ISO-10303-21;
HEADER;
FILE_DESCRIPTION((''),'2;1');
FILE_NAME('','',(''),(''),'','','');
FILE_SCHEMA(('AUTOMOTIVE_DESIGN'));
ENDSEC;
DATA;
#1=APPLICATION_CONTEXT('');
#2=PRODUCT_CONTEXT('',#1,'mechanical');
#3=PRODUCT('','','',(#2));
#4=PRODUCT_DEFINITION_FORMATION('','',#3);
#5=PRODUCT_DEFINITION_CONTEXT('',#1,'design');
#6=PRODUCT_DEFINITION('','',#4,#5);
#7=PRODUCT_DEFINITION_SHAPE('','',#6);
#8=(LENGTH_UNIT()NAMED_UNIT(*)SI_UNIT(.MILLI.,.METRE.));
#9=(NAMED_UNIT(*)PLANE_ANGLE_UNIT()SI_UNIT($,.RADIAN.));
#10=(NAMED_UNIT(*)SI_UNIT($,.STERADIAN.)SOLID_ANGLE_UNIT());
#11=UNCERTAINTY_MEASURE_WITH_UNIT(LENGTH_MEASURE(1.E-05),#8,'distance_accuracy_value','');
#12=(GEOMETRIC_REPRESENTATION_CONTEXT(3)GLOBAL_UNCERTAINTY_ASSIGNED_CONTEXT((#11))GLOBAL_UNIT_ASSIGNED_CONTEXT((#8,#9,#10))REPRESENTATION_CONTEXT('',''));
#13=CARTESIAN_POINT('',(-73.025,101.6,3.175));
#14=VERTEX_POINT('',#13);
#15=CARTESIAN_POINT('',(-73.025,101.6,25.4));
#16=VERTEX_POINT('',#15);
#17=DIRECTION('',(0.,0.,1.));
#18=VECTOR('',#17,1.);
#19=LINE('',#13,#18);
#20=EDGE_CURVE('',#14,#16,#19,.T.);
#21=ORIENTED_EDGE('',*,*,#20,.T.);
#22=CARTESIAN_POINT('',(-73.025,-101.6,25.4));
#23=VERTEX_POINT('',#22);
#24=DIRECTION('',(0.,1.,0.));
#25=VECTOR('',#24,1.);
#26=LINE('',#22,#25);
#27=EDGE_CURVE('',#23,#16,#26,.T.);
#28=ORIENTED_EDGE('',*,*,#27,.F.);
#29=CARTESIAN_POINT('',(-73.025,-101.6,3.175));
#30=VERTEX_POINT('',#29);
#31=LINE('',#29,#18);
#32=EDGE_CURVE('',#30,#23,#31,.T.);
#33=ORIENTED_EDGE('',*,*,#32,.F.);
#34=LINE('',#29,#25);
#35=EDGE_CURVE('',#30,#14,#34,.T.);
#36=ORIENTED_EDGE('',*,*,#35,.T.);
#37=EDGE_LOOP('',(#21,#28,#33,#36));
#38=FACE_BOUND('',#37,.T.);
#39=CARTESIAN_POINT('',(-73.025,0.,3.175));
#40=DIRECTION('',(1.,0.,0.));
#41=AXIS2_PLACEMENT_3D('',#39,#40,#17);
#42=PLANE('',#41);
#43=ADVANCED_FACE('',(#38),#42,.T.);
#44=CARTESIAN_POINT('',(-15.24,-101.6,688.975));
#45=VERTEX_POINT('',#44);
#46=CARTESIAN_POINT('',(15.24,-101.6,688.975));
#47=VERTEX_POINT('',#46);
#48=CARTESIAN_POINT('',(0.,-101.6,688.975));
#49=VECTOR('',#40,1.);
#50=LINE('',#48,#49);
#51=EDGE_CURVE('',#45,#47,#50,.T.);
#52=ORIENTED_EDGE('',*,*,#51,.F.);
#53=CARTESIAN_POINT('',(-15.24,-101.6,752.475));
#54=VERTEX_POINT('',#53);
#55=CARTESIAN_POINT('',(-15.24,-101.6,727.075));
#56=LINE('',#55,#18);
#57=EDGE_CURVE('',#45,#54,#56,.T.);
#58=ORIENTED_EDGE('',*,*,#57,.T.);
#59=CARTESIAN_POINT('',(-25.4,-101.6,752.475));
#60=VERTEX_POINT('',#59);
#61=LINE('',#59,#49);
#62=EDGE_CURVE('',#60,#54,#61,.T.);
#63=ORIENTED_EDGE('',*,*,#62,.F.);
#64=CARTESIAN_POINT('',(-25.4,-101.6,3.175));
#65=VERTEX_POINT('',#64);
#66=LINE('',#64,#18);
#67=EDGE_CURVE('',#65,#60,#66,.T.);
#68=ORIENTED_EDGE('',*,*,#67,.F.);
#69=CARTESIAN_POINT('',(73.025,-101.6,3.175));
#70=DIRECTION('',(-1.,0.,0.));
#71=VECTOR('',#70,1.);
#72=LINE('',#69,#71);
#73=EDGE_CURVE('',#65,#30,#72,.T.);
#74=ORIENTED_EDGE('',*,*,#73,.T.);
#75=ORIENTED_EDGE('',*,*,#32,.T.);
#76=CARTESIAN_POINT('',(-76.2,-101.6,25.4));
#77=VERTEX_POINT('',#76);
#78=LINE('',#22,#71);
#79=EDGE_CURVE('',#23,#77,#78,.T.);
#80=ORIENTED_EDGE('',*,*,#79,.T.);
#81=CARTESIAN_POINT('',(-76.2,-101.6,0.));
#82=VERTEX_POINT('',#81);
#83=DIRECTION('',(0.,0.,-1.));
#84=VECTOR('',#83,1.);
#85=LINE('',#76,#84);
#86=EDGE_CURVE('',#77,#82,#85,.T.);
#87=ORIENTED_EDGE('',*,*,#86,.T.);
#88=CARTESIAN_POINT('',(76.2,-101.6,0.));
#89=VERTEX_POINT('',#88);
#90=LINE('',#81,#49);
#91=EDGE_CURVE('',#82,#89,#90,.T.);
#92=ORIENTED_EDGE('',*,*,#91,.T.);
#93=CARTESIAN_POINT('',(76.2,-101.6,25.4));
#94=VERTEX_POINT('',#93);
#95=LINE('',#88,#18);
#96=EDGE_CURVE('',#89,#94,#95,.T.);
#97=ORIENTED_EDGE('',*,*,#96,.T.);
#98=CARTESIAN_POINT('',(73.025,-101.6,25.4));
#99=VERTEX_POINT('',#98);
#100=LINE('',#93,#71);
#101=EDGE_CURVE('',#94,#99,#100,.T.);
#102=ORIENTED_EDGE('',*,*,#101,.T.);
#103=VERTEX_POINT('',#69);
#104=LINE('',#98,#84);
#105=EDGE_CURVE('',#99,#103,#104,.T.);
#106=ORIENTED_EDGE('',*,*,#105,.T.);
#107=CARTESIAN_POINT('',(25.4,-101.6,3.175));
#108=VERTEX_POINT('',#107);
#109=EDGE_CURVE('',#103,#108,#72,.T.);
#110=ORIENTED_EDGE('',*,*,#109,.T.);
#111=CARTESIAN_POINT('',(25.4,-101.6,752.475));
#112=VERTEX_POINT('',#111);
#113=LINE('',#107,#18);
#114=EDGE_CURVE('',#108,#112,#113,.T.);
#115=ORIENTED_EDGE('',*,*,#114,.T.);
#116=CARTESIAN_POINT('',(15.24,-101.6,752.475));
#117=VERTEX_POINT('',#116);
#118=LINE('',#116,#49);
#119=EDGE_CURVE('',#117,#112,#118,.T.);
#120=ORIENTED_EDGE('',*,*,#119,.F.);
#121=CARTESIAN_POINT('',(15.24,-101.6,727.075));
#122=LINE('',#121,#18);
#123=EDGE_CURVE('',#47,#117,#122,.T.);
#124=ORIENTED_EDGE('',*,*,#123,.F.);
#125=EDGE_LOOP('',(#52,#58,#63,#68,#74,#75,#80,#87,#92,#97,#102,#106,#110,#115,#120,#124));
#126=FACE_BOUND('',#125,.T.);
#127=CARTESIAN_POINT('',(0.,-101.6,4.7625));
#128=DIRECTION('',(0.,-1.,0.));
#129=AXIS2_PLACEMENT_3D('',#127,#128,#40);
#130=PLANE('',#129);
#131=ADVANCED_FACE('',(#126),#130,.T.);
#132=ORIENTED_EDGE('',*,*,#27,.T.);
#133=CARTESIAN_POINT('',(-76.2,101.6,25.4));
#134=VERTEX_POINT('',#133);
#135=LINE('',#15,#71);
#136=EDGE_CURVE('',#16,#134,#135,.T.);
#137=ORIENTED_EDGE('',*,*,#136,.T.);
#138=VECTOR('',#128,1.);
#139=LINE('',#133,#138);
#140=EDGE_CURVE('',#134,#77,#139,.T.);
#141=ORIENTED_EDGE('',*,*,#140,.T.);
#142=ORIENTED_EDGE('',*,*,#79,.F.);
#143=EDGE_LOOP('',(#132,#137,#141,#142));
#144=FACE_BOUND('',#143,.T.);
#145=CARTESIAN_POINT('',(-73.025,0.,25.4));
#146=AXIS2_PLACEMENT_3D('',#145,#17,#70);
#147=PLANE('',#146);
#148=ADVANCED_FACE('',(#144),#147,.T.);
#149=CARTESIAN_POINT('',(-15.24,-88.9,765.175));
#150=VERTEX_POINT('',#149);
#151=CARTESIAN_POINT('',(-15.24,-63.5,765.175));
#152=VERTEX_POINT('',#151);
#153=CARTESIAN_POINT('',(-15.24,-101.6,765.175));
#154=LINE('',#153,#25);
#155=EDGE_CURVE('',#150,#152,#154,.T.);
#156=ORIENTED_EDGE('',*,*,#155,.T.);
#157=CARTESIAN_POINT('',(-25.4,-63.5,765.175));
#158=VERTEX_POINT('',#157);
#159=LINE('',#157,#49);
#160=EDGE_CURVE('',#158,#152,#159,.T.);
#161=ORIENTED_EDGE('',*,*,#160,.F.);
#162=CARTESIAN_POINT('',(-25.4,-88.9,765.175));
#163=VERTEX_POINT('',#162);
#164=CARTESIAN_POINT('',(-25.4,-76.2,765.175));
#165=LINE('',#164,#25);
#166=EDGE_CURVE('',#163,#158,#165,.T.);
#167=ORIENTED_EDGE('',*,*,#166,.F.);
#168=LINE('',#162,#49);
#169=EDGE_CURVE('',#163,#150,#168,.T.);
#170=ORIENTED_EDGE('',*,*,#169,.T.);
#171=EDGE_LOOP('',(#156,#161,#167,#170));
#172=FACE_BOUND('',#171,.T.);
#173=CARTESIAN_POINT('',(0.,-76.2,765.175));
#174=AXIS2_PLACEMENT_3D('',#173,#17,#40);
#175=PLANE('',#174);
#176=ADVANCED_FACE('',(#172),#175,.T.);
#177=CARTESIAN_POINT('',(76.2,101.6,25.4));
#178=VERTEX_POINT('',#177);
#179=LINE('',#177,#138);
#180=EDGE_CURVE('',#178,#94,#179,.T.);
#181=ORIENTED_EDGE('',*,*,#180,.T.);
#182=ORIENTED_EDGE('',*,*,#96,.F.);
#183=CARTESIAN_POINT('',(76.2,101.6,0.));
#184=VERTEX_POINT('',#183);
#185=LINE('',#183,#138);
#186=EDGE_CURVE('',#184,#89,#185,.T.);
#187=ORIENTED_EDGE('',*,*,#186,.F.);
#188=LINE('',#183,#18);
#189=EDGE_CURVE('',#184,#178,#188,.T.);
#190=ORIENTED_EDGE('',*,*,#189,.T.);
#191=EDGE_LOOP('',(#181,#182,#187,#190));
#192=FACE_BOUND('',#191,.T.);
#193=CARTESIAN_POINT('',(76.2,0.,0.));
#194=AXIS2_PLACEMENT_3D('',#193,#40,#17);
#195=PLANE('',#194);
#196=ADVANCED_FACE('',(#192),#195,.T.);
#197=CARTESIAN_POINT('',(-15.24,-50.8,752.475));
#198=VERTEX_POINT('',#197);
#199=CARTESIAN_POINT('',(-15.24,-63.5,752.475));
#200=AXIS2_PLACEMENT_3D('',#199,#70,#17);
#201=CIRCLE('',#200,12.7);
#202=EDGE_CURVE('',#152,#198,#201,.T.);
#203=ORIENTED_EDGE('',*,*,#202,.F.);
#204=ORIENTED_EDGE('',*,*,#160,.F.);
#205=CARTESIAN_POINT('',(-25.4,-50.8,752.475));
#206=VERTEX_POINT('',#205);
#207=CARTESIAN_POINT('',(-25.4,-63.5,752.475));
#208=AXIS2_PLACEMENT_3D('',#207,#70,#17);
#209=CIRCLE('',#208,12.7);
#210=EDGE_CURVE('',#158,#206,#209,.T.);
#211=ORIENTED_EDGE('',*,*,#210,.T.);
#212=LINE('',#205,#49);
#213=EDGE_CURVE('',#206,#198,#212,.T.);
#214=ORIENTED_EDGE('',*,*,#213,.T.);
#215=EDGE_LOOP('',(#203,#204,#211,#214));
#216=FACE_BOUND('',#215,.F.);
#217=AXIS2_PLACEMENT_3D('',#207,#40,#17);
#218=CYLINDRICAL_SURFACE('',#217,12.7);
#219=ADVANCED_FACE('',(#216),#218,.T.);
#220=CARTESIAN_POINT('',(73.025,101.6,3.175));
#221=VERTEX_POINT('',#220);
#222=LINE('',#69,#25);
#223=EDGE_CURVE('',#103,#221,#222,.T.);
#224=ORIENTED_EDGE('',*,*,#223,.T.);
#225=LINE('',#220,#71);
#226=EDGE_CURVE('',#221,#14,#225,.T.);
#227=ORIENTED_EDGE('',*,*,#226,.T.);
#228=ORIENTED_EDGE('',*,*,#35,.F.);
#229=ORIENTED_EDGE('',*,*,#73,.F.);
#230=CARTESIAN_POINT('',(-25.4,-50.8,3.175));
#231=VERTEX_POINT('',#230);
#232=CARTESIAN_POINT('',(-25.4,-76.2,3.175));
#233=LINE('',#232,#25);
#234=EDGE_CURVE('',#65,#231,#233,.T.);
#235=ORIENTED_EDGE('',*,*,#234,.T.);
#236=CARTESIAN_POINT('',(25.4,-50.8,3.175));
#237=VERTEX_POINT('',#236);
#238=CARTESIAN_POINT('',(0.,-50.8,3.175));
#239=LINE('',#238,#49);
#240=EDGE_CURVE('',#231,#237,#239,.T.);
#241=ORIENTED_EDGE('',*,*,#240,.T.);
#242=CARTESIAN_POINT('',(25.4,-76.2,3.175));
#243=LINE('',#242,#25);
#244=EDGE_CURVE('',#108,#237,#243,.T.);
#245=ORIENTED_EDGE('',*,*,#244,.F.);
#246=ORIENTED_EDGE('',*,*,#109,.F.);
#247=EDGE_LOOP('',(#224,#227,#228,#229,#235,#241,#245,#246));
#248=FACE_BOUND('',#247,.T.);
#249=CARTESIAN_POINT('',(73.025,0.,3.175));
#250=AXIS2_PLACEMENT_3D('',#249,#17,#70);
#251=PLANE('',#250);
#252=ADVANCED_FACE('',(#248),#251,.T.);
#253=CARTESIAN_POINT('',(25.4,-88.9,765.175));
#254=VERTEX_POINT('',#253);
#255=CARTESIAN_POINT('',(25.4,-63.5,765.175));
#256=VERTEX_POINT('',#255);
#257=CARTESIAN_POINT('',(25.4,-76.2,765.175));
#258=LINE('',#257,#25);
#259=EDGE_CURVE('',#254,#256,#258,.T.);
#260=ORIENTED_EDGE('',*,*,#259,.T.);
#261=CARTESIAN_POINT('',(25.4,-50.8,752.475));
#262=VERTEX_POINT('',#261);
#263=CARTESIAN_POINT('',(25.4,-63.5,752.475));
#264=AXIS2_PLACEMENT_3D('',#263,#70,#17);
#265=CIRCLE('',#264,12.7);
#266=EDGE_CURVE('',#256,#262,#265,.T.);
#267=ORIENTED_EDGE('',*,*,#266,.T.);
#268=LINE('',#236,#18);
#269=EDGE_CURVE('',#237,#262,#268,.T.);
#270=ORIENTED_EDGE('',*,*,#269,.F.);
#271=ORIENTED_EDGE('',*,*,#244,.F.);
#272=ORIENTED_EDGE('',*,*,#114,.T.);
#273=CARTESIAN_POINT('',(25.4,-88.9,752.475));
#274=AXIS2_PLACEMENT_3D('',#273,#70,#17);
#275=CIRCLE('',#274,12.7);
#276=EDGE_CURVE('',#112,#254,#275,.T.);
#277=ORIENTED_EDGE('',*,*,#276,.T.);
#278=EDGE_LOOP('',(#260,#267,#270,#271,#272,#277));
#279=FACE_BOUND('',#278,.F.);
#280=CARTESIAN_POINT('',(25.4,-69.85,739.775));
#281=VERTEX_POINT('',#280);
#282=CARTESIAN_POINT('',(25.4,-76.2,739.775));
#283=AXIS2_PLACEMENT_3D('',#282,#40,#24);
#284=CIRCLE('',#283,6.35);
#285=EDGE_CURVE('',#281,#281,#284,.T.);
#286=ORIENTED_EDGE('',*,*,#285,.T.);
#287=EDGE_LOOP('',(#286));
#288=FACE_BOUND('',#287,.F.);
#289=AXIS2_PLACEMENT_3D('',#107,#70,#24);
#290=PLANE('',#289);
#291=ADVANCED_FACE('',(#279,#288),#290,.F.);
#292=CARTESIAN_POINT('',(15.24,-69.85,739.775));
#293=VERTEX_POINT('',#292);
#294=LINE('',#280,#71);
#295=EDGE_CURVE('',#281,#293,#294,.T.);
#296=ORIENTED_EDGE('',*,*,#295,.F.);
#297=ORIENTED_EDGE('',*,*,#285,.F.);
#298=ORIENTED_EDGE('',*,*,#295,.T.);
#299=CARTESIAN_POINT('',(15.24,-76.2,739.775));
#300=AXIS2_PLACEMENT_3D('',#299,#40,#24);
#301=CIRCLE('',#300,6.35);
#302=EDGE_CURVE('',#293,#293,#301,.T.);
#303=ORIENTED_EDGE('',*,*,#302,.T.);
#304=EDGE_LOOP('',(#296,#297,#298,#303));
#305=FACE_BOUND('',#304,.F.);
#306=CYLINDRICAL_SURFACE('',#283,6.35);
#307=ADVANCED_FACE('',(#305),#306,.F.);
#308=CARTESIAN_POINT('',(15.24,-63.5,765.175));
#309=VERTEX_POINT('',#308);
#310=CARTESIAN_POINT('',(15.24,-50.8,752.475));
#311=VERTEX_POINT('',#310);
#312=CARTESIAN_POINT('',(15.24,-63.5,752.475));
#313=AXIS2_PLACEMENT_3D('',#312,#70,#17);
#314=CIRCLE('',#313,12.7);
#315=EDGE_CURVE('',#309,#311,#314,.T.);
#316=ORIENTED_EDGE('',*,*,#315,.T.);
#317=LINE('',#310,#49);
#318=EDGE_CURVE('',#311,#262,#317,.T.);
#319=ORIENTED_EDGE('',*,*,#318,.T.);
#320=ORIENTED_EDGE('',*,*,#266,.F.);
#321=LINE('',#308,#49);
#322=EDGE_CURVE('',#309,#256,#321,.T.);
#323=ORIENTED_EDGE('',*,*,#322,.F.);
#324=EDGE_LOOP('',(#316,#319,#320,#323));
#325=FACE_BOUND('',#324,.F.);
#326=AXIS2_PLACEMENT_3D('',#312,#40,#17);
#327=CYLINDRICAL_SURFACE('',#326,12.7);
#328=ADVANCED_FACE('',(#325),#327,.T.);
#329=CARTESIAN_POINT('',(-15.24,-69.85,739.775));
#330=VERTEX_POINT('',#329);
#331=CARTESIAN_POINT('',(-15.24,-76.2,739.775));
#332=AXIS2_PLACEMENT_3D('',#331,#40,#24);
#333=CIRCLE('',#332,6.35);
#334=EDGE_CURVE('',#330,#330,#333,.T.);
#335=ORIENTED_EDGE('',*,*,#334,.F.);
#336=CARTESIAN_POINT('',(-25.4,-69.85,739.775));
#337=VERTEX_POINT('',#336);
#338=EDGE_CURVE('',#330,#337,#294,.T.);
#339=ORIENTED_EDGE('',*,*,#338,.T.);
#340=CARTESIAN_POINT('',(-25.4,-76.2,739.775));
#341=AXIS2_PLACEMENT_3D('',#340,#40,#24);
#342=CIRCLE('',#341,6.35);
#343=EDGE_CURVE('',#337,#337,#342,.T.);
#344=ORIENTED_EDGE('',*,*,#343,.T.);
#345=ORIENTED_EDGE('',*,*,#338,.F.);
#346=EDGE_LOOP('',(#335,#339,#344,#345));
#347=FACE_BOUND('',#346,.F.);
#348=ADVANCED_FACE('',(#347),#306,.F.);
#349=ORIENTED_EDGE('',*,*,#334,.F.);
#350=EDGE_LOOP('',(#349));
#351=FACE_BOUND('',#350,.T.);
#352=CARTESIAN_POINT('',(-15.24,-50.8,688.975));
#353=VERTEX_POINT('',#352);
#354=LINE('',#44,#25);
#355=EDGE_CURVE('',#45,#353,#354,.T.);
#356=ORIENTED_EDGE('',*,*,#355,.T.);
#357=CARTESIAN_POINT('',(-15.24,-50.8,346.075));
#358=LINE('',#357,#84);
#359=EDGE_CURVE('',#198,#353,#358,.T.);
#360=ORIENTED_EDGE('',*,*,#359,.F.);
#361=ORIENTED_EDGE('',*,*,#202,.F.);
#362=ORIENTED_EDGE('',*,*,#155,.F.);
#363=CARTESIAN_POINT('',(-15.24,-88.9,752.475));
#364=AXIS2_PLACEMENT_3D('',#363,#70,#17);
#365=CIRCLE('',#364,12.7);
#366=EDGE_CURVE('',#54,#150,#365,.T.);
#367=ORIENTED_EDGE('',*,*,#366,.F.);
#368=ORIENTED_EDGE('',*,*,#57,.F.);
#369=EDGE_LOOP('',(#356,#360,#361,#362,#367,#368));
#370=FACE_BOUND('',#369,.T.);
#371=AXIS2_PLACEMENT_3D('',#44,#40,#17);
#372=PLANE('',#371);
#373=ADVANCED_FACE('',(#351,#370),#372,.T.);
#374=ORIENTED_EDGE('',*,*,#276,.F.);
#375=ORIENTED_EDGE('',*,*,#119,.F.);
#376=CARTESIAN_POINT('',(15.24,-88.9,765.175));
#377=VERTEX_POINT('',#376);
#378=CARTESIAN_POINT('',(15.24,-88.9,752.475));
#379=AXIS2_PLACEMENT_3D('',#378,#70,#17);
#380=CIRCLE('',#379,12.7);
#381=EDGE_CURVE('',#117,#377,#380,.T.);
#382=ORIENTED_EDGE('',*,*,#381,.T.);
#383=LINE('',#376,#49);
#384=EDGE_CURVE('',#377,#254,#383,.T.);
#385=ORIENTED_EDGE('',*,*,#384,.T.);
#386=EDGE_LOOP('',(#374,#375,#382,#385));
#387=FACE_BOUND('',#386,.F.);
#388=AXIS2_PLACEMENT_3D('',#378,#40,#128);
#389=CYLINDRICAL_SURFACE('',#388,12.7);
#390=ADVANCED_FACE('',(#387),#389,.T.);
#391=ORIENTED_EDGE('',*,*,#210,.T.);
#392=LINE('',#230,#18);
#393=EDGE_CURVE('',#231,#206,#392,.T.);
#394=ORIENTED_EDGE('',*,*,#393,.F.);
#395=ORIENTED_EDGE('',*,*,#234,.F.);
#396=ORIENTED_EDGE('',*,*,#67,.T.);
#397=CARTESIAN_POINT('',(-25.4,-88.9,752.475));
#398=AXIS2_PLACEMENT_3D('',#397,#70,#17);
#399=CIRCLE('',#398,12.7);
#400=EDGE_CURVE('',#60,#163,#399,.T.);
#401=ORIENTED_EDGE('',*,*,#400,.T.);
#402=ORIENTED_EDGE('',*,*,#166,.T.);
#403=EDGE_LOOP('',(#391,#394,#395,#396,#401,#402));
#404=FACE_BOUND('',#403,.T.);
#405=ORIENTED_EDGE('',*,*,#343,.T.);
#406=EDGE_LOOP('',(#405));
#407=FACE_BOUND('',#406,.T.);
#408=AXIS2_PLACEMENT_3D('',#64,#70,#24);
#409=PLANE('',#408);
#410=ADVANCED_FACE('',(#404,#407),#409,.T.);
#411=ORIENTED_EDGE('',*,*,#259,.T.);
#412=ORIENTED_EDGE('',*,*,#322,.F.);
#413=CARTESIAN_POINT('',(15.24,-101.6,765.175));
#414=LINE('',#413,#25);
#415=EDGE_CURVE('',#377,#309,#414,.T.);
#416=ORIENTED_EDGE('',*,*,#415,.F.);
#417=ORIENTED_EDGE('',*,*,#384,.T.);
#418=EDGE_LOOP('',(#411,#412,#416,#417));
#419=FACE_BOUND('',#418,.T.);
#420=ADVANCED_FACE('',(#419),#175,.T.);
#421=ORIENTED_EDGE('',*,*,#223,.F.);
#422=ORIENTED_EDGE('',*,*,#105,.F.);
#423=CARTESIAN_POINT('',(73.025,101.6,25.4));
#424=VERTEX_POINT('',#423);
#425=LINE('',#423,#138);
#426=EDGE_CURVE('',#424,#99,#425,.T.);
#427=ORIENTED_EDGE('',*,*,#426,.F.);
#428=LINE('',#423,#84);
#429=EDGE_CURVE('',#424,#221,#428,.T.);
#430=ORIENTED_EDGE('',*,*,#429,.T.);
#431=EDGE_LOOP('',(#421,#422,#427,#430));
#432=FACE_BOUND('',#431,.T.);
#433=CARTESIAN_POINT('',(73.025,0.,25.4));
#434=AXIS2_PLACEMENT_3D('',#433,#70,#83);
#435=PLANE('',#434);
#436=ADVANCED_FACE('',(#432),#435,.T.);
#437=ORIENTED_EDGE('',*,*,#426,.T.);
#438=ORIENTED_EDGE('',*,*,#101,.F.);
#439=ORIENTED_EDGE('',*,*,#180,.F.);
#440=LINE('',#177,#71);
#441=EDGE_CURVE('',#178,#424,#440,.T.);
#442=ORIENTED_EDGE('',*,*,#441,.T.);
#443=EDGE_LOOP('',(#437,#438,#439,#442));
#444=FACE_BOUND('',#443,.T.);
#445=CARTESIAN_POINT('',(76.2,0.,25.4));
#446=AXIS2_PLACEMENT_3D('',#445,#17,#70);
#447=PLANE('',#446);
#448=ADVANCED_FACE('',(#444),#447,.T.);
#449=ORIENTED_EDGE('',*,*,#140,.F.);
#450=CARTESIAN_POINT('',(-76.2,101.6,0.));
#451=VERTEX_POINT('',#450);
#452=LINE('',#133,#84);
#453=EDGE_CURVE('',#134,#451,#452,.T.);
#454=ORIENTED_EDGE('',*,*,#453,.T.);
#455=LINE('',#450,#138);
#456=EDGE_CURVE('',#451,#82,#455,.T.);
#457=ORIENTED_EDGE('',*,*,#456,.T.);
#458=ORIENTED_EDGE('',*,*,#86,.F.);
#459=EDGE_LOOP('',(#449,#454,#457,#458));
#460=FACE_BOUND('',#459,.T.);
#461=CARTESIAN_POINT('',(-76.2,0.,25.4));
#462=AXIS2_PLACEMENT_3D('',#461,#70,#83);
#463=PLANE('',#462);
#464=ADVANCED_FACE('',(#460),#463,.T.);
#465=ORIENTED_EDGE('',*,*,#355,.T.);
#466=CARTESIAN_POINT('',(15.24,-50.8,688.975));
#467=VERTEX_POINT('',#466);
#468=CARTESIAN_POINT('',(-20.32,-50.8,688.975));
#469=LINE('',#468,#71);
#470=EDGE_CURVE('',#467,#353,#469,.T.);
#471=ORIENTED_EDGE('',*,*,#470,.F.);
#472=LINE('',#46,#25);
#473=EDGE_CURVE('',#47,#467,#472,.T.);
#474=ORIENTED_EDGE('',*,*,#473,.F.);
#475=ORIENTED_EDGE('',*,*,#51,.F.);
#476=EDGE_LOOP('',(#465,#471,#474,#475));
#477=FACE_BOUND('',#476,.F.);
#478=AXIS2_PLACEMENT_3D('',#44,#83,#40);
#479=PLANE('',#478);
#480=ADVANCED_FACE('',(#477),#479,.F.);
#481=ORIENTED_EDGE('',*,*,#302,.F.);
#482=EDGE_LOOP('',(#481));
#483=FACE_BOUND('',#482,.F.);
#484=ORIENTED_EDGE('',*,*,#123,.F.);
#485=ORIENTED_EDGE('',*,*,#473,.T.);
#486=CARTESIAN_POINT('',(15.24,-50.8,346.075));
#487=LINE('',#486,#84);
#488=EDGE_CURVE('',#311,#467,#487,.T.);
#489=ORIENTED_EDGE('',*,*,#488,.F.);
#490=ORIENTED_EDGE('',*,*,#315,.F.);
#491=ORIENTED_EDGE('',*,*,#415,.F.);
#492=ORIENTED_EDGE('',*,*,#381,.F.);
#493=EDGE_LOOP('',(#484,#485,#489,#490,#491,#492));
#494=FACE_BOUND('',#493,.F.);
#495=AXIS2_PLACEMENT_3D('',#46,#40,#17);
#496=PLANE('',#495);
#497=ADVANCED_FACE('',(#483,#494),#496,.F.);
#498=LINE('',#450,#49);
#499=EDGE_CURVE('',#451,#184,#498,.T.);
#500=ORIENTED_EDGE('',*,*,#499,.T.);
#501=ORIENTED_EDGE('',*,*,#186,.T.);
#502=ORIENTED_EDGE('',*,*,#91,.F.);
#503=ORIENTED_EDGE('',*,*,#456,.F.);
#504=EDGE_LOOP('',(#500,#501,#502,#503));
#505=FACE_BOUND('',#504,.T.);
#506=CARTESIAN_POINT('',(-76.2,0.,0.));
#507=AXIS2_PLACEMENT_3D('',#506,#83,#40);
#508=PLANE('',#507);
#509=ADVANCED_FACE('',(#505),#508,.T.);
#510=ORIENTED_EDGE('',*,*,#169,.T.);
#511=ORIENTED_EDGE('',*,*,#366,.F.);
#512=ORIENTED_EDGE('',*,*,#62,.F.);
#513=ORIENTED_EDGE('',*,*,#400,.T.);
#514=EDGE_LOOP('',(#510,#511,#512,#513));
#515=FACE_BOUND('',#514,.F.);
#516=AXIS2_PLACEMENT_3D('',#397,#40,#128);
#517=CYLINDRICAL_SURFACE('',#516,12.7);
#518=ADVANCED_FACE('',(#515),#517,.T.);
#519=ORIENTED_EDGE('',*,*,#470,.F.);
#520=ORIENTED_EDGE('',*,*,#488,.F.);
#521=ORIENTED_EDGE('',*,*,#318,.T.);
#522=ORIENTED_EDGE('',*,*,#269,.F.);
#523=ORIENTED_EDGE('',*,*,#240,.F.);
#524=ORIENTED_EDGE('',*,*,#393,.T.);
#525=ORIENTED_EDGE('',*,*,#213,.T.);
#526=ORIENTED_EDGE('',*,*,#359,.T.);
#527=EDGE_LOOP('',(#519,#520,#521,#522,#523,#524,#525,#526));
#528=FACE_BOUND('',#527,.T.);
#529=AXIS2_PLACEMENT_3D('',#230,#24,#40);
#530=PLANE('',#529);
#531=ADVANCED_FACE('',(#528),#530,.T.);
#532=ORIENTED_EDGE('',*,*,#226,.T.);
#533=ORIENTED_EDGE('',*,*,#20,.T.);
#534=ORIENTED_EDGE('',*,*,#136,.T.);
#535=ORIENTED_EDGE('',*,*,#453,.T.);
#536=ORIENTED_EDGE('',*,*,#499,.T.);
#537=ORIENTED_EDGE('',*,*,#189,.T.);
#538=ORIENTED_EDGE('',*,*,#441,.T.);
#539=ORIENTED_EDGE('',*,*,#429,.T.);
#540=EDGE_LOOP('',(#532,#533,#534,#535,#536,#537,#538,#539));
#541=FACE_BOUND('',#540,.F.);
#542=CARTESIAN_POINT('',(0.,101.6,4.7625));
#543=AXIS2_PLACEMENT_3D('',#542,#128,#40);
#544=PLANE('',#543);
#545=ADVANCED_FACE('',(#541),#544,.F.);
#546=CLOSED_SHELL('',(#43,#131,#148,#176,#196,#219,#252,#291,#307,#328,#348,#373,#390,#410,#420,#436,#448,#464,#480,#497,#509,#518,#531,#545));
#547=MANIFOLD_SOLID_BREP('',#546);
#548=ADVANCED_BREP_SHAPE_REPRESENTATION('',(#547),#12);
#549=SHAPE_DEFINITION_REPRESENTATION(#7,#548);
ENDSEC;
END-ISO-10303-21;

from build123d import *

# Parameters (mm, degrees)
F1_DEPTH = 101.6
F2_W     = 50.8
F2_H     = 50.8
F3_DEPTH = 762
F4_R     = 6.35
F5_DEPTH = 101.601
F6_W     = 30.48
F6_H     = 76.2
F7_DEPTH = 203.201
F8_R     = 12.7


with BuildPart() as f1:
    # F0 (on Front) → F1 (new body, symmetric)
    with BuildSketch(Plane.XZ):
        Polygon((-73.025, 25.4), (-76.2, 25.4), (-76.2, 0), (76.2, 0), (76.2, 25.4), (73.025, 25.4), (73.025, 3.175), (-73.025, 3.175), align=None)
    extrude(amount=F1_DEPTH, both=True)

    # F2 (on face) → F3 (join)
    with BuildSketch(Plane.XY.offset(3.175)):
        with Locations((0, -76.2)):
            Rectangle(F2_W, F2_H)
    extrude(amount=F3_DEPTH)

    # F4 (on face) → F5 (cut, through all)
    with BuildSketch(Plane.YZ.offset(25.4)):
        with Locations((-76.2, 739.775)):
            Circle(F4_R)
    extrude(amount=-F5_DEPTH, mode=Mode.SUBTRACT)

    # F6 (on face) → F7 (cut, through all)
    with BuildSketch(Plane.XZ.offset(101.6)):
        with Locations((0, 727.075)):
            Rectangle(F6_W, F6_H)
    extrude(amount=-F7_DEPTH, mode=Mode.SUBTRACT)

    # F8
    f8_edges = [f1.edges().sort_by_distance(p)[0] for p in [
        (-20.32, -101.6, 765.175),
        (20.32, -101.6, 765.175),
        (-20.32, -50.8, 765.175),
        (20.32, -50.8, 765.175),
    ]]
    fillet(f8_edges, radius=F8_R)


solid = f1.part
